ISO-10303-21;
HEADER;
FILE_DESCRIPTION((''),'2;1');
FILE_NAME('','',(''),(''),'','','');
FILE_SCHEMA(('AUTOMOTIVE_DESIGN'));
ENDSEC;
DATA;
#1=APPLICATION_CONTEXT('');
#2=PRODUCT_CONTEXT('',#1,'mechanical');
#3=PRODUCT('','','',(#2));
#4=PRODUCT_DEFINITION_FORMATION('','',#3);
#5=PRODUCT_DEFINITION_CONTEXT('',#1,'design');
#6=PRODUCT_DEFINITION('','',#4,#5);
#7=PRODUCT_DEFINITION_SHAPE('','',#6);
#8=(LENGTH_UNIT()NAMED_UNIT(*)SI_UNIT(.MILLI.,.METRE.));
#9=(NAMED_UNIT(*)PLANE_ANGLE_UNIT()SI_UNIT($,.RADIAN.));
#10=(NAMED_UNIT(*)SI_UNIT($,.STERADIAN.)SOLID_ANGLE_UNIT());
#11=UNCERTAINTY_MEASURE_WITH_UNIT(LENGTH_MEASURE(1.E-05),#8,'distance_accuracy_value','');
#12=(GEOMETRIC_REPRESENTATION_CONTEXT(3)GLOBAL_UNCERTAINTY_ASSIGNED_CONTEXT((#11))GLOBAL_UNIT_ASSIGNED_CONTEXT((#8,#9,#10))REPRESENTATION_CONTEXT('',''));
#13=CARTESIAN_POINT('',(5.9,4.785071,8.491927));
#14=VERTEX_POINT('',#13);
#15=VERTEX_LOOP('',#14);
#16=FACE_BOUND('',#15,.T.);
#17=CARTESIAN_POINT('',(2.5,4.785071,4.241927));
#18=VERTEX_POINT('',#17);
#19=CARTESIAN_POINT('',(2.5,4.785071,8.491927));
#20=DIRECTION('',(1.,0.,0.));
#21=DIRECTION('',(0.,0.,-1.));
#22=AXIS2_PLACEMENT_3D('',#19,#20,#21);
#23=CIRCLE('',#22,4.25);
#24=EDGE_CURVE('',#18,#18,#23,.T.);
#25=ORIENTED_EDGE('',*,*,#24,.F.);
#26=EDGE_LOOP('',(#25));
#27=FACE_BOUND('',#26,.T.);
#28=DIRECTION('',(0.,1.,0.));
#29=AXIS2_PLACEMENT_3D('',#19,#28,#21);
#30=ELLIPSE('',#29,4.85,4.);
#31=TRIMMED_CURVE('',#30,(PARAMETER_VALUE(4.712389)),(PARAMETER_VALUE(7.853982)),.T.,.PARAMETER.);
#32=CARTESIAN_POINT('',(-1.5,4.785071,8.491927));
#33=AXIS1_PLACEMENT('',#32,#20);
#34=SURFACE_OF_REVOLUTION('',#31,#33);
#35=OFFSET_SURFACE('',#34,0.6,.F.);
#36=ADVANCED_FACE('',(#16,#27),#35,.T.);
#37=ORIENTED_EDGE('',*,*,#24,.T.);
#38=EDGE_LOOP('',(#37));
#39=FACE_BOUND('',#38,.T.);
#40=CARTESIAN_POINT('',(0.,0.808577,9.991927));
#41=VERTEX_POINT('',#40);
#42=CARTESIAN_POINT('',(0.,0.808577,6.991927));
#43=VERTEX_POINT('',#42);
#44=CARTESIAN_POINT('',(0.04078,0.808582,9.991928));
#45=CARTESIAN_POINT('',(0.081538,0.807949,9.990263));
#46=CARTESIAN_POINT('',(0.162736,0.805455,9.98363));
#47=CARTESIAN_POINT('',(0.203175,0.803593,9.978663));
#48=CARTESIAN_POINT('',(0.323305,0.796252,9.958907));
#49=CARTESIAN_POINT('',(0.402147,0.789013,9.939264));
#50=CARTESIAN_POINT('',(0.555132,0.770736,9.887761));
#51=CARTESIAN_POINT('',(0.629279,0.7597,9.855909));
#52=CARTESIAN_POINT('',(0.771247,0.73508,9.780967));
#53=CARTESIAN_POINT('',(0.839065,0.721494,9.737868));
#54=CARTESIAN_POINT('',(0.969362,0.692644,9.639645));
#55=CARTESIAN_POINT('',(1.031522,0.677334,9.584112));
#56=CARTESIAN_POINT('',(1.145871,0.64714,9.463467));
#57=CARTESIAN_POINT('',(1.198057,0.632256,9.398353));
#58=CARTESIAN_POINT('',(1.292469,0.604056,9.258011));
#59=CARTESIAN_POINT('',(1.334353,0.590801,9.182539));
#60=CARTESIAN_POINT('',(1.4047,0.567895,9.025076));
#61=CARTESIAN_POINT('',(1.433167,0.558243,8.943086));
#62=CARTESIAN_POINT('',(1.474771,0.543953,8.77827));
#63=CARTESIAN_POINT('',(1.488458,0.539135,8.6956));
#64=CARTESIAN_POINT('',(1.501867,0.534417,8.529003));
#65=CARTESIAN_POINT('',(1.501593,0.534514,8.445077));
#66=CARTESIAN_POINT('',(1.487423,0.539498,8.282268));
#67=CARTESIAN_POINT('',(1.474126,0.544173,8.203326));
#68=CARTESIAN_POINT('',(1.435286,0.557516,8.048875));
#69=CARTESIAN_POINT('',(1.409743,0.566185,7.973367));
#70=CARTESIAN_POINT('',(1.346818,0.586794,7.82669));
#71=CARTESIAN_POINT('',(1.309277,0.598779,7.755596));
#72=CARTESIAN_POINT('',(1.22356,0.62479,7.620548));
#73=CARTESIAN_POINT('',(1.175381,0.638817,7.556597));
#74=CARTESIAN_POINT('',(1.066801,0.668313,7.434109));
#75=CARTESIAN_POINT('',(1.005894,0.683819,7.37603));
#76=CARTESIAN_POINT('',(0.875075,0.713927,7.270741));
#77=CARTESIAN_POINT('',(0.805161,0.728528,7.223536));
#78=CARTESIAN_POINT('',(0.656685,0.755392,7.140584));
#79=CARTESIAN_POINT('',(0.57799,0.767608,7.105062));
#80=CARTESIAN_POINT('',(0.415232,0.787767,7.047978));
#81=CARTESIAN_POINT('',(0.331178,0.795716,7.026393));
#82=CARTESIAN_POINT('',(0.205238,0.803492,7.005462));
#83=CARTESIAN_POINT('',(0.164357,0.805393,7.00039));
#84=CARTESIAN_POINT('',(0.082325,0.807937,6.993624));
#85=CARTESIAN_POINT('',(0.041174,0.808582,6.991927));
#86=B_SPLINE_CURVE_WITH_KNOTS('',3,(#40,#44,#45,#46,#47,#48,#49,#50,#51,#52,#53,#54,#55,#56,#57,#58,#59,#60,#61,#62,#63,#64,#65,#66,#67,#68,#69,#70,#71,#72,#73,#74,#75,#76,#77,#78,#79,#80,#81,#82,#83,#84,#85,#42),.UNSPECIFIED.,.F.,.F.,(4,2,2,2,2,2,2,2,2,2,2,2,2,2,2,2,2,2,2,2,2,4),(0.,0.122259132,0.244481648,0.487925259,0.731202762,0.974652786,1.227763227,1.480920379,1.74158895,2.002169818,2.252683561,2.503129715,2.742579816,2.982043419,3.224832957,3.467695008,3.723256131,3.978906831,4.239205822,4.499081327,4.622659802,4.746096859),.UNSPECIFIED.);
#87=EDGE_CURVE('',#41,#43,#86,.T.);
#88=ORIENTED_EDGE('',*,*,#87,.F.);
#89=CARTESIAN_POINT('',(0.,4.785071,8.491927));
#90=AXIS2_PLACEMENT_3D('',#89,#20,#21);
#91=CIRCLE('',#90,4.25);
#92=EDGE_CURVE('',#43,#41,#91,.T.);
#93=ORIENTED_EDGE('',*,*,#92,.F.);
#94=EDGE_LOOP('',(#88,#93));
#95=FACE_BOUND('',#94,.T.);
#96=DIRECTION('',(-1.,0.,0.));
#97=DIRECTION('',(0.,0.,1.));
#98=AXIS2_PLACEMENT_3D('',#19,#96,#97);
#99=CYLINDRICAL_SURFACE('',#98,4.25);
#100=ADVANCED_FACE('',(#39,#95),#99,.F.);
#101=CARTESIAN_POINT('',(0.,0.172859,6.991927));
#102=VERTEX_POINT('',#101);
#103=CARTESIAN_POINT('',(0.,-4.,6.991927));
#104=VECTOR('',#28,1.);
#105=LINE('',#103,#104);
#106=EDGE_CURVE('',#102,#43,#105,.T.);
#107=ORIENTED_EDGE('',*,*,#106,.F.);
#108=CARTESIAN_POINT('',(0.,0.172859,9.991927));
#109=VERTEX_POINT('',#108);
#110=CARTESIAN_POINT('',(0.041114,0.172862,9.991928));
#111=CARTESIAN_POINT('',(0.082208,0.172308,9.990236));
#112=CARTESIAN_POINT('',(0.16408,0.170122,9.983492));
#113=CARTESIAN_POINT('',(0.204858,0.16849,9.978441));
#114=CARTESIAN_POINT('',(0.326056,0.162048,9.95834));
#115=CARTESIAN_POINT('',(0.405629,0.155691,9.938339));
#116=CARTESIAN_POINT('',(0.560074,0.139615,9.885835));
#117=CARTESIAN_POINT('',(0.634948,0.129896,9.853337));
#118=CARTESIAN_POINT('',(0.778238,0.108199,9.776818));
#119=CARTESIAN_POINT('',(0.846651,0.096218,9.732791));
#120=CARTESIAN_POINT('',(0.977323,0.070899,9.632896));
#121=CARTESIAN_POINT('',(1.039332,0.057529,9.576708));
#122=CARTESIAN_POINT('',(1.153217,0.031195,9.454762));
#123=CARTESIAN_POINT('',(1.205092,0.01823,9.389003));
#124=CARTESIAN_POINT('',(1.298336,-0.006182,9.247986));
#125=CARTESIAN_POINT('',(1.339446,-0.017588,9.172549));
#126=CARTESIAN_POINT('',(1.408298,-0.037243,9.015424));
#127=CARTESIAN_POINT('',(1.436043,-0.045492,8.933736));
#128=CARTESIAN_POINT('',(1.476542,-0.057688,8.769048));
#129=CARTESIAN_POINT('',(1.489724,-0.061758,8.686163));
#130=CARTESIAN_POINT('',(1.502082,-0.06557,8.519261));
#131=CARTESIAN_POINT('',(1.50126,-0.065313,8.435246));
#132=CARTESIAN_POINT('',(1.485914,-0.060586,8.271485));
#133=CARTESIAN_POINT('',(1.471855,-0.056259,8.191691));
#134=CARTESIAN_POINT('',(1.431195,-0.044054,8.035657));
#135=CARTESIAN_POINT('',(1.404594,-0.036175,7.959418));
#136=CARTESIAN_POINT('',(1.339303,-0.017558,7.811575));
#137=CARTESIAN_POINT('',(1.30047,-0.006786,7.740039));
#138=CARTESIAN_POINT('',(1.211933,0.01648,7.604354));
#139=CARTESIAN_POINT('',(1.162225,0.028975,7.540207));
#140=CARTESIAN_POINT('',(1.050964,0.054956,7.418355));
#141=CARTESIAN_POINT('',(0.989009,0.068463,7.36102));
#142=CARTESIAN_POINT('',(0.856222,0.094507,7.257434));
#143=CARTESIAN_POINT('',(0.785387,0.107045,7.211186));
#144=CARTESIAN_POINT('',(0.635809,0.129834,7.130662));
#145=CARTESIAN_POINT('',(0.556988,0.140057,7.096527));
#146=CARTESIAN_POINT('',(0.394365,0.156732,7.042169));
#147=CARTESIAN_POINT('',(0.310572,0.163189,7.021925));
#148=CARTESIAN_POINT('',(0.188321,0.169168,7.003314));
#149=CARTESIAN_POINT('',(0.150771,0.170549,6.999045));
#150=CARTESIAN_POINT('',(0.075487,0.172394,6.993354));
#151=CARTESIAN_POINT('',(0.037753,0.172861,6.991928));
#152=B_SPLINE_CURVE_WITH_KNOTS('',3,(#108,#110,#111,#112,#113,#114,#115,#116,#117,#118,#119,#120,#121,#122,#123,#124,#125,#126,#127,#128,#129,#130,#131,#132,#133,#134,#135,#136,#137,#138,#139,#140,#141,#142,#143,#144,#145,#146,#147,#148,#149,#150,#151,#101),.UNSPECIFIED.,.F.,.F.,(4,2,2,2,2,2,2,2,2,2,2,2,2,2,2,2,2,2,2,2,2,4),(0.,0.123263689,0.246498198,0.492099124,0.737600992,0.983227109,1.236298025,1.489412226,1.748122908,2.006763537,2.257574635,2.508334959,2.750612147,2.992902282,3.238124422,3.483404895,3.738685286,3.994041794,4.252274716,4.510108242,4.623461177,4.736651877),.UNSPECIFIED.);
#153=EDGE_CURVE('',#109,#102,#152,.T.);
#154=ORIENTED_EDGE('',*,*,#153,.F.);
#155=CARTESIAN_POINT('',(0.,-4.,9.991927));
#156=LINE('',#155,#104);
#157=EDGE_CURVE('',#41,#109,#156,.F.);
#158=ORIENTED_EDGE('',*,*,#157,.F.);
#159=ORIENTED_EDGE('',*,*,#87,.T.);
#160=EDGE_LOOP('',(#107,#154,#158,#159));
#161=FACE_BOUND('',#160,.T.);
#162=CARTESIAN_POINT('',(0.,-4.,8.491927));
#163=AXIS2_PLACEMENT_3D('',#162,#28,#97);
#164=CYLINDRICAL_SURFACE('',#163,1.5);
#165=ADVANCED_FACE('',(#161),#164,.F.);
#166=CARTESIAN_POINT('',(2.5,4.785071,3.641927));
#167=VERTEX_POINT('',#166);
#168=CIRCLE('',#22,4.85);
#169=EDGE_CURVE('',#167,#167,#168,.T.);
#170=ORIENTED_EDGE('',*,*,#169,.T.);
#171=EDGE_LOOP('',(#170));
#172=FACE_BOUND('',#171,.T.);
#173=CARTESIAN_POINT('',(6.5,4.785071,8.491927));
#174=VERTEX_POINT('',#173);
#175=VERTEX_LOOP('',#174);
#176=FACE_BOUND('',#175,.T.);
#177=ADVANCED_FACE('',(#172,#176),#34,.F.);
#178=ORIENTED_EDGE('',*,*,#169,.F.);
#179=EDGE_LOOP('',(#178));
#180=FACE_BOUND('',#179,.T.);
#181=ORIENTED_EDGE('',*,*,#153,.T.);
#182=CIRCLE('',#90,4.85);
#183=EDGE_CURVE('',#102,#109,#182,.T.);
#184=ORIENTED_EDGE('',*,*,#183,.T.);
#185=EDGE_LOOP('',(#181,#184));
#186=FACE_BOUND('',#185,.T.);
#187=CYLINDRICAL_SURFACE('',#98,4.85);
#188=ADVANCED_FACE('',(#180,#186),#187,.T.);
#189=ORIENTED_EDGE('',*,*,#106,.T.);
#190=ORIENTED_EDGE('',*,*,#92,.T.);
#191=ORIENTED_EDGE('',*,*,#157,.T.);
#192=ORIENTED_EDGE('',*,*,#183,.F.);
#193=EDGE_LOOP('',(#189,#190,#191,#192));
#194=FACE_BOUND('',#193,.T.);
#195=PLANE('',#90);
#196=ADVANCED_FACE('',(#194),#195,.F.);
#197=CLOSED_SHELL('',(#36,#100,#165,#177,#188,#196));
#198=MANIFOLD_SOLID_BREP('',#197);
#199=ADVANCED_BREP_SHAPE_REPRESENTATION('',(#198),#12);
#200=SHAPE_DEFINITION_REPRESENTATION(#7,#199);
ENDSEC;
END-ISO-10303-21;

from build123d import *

# Parameters (mm, degrees)
SKETCH1_R               = 4.85
BOSS_EXTRUDE1_DEPTH     = 2.5
DOME1_FACE_RADIUS       = 4.85
DOME1_HEIGHT            = 4
SHELL1_T                = -0.6
CUT_EXTRUDE2_DEPTH      = 4
CUT_EXTRUDE2_DEPTH_BACK = 4
SKETCH4_R               = 1.5


with BuildPart() as part:
    # Sketch1 → Boss-Extrude1 (new body)
    with BuildSketch(Plane(origin=(0, 0, 0), x_dir=(0, 0, -1), z_dir=(1, 0, 0))):
        with Locations((-8.491927182, 4.785070814)):
            Circle(SKETCH1_R)
    extrude(amount=BOSS_EXTRUDE1_DEPTH)

    # Dome1: an elliptical dome of height H over a round flat face of radius A is half a spheroid: the quarter ellipse of half axes A and H revolved about the face's axis
    with BuildSketch(Plane((2.5, 4.785070814, 8.491927182), x_dir=(0, 0, 1), z_dir=(0, 1, 0)), mode=Mode.PRIVATE) as dome1_quarter:
        Ellipse(DOME1_FACE_RADIUS, DOME1_HEIGHT)
        Rectangle(DOME1_FACE_RADIUS, DOME1_HEIGHT, align=(Align.MIN, Align.MIN), mode=Mode.INTERSECT)
    revolve(dome1_quarter.sketch, axis=Axis((2.5, 4.785070814, 8.491927182), (1, 0, 0)))

    # Shell1
    shell1_openings = [part.faces().sort_by_distance(p)[0] for p in [
        (0, 4.785070814, 8.491927182),
    ]]
    offset(amount=SHELL1_T, openings=shell1_openings, kind=Kind.INTERSECTION)

    # Sketch4 → Cut-Extrude2 (cut, two sides: drawn at the far end of the back side and taken through both)
    with BuildSketch(Plane(origin=(0, 0, 0), x_dir=(1, 0, 0), z_dir=(0, 1, 0)).offset(-CUT_EXTRUDE2_DEPTH_BACK)):
        with Locations((0, -8.491927182)):
            Circle(SKETCH4_R)
    extrude(amount=CUT_EXTRUDE2_DEPTH + CUT_EXTRUDE2_DEPTH_BACK, mode=Mode.SUBTRACT)


solid = part.part
